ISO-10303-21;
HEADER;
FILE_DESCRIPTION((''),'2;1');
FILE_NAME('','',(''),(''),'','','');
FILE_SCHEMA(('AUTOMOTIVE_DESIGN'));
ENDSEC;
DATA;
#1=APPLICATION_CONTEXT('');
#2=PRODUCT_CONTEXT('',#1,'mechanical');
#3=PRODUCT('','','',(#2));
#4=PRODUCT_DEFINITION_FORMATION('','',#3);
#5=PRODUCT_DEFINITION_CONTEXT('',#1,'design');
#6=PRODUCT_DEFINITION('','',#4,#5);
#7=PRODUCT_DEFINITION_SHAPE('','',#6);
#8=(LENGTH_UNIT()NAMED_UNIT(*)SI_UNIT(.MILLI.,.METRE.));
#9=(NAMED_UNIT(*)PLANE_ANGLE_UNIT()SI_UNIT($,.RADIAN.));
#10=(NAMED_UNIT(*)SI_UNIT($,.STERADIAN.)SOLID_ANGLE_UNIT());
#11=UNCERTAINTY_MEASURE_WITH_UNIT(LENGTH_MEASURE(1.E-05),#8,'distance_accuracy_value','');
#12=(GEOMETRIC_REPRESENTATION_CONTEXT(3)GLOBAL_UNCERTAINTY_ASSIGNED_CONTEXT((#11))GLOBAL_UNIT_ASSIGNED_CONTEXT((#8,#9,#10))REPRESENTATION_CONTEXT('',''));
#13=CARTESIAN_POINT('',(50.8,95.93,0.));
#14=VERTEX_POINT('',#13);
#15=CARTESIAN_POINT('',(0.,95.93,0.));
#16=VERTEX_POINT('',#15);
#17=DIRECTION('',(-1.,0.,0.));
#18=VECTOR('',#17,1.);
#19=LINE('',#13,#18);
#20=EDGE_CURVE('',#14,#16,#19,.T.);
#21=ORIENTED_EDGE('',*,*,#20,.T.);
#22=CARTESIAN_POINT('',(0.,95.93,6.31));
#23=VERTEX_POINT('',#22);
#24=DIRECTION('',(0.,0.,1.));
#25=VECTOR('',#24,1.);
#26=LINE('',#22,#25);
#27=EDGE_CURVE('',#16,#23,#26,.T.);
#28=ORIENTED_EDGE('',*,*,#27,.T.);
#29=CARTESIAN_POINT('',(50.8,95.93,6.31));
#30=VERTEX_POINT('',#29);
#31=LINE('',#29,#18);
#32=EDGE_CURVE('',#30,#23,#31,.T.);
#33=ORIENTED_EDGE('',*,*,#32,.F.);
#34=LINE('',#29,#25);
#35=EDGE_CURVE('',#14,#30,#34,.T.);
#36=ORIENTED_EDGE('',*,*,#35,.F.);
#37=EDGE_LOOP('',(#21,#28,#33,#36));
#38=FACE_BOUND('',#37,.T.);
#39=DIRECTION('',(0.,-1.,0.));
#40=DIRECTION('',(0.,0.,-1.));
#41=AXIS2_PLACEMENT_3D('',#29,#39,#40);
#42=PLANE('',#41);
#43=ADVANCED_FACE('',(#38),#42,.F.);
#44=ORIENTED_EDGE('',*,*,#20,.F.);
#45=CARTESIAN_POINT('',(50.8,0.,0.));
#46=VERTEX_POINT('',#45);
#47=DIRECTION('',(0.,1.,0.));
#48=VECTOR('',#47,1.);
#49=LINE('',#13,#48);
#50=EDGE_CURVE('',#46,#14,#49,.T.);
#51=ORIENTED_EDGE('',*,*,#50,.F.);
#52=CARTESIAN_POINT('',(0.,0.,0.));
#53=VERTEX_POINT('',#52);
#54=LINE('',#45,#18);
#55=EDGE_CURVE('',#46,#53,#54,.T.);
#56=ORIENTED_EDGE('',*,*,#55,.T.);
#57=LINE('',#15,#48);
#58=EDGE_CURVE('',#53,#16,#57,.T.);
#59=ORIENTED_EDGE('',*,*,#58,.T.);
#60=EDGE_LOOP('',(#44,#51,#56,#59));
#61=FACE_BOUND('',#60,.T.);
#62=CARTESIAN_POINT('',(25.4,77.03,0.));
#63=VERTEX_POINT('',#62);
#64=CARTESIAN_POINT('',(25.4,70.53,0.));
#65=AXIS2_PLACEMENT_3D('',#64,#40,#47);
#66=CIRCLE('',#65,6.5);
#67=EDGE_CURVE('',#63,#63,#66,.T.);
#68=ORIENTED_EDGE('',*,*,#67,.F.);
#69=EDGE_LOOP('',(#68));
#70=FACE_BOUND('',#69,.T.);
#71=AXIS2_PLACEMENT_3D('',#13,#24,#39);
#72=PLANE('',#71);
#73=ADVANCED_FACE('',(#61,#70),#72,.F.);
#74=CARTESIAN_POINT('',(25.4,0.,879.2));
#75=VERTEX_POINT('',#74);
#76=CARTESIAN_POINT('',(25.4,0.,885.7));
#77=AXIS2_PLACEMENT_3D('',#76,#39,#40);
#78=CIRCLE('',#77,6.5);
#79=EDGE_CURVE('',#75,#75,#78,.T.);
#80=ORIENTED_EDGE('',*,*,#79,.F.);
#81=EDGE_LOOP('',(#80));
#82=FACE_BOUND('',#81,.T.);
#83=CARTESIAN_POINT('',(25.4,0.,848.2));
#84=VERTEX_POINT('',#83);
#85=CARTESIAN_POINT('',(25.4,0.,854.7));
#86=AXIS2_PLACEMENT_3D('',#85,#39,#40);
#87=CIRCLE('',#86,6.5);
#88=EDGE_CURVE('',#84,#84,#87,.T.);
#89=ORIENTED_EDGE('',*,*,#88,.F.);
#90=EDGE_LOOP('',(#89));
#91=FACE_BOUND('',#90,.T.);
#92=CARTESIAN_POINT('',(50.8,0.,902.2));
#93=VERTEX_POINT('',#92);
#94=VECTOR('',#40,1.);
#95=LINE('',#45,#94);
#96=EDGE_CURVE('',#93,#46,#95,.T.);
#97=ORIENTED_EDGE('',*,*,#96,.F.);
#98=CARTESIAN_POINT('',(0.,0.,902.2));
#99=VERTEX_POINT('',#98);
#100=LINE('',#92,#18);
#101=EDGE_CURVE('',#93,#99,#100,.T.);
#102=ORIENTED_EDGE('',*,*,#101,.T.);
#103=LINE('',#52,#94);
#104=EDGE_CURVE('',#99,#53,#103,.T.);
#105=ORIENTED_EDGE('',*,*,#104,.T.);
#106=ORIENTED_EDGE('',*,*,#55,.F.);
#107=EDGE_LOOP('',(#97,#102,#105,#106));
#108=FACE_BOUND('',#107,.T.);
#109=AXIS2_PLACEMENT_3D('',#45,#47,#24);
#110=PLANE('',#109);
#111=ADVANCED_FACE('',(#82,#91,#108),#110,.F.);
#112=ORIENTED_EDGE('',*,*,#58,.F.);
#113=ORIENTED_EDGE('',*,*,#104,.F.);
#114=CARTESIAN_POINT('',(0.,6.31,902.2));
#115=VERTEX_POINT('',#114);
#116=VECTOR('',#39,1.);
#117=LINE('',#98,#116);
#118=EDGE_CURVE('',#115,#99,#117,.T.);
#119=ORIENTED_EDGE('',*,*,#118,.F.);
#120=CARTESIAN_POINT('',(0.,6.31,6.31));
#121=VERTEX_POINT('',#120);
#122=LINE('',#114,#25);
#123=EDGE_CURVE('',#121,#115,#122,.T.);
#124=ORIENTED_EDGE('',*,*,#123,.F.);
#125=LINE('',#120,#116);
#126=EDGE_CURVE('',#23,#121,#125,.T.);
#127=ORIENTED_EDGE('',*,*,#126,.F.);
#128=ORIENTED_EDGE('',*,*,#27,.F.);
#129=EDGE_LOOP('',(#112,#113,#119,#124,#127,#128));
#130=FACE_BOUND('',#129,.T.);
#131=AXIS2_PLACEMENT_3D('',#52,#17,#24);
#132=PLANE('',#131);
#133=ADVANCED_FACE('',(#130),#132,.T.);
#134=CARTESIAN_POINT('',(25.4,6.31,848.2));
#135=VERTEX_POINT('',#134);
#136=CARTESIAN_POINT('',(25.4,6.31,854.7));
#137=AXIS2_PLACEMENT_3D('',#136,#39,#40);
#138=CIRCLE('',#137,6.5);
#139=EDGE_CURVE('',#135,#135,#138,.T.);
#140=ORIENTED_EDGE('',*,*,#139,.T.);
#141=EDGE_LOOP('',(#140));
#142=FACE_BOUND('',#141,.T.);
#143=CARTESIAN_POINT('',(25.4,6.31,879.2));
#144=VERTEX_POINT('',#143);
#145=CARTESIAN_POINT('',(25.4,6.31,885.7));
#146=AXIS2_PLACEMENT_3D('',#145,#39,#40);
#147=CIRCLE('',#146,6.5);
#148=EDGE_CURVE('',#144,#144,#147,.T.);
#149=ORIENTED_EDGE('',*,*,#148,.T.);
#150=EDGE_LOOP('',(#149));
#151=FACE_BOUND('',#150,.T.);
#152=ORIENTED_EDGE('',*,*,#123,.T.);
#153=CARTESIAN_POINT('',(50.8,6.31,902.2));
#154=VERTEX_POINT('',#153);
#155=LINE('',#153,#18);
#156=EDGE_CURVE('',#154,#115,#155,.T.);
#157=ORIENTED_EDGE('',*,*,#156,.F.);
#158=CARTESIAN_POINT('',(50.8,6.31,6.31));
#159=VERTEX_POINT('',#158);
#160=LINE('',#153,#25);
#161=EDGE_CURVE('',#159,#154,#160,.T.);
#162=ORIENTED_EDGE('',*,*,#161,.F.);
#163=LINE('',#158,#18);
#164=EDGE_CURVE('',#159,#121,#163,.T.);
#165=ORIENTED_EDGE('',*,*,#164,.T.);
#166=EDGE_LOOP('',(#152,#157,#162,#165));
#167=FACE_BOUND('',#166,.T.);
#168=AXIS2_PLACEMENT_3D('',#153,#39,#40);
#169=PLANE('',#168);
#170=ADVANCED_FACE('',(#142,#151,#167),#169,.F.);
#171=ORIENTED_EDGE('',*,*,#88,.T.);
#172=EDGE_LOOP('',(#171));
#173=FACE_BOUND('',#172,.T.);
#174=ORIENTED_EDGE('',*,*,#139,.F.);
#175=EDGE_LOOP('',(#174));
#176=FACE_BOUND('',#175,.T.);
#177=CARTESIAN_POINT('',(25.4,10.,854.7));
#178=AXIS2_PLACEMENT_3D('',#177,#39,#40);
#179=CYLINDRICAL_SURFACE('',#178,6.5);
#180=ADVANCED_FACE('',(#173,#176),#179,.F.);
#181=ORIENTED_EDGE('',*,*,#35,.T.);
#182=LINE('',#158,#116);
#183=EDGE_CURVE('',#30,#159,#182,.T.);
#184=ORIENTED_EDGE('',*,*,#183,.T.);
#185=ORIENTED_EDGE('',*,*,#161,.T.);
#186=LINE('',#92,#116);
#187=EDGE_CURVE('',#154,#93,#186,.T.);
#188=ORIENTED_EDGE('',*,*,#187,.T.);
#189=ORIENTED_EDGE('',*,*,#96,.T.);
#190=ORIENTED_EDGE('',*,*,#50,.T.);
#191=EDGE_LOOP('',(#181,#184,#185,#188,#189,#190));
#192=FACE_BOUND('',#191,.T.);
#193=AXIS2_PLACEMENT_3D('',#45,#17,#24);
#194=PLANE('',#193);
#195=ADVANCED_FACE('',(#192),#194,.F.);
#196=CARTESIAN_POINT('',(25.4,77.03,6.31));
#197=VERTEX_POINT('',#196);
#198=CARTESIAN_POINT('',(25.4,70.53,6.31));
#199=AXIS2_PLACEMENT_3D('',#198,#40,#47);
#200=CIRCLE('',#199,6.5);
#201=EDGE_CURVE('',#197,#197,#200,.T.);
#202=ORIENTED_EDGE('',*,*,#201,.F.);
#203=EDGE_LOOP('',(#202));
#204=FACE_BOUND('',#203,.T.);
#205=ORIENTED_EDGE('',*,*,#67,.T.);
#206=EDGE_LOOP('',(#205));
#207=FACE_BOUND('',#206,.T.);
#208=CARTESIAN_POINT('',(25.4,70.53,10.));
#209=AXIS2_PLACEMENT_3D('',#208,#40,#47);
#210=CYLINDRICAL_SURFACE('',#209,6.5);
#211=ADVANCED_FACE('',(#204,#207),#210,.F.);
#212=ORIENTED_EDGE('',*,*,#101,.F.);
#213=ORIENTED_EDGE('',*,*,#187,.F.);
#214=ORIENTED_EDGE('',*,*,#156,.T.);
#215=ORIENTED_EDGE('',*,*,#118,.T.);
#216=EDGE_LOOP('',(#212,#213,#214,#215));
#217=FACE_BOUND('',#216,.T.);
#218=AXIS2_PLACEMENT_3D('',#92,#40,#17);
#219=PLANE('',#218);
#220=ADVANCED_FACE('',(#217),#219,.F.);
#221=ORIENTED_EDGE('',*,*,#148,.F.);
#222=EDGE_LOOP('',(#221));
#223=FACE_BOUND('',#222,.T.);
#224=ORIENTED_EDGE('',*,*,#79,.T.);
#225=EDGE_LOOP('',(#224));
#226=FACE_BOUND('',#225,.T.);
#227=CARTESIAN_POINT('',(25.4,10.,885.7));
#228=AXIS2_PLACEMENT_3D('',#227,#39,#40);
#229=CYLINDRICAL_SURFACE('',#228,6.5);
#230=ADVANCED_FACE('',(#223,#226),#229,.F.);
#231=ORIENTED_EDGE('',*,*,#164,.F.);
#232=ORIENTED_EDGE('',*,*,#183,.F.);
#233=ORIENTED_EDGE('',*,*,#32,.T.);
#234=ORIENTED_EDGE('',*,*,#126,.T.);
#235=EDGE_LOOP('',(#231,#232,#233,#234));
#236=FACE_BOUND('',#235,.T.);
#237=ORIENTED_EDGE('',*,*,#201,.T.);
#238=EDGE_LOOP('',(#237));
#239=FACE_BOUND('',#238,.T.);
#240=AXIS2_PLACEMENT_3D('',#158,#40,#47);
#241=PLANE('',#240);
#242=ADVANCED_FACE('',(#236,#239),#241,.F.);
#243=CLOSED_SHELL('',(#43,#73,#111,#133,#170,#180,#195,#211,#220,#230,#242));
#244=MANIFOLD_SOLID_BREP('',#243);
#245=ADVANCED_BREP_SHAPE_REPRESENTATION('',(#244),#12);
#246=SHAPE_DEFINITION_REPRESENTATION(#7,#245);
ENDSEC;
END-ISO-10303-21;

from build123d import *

# Parameters (mm, degrees)
SALIENTE_EXTRUIR1_DEPTH = 50.8
CROQUIS2_R              = 6.5
CORTAR_EXTRUIR1_DEPTH   = 10
CROQUIS3_R              = 6.5
CORTAR_EXTRUIR2_DEPTH   = 10


with BuildPart() as part:
    # Croquis1 → Saliente-Extruir1 (new body)
    with BuildSketch(Plane(origin=(0, 0, 0), x_dir=(0, 0, -1), z_dir=(1, 0, 0))):
        Polygon((-6.31, 95.93), (0, 95.93), (0, 0), (-902.2, 0), (-902.2, 6.31), (-6.31, 6.31), align=None)
    extrude(amount=SALIENTE_EXTRUIR1_DEPTH)

    # Croquis2 → Cortar-Extruir1 (cut)
    with BuildSketch(Plane(origin=(0, 0, 0), x_dir=(-1, 0, 0), z_dir=(0, -1, 0))):
        with Locations(Location((-25.4, -885.7, 0), (0, 0, 90))):
            Circle(CROQUIS2_R)
        with Locations(Location((-25.4, -854.7, 0), (0, 0, 90))):
            Circle(CROQUIS2_R)
    extrude(amount=-CORTAR_EXTRUIR1_DEPTH, mode=Mode.SUBTRACT)

    # Croquis3 → Cortar-Extruir2 (cut)
    with BuildSketch(Plane(origin=(0, 0, 0), x_dir=(-1, 0, 0), z_dir=(0, 0, -1))):
        with Locations(Location((-25.4, 70.53, 0), (0, 0, 90))):
            Circle(CROQUIS3_R)
    extrude(amount=-CORTAR_EXTRUIR2_DEPTH, mode=Mode.SUBTRACT)


solid = part.part
